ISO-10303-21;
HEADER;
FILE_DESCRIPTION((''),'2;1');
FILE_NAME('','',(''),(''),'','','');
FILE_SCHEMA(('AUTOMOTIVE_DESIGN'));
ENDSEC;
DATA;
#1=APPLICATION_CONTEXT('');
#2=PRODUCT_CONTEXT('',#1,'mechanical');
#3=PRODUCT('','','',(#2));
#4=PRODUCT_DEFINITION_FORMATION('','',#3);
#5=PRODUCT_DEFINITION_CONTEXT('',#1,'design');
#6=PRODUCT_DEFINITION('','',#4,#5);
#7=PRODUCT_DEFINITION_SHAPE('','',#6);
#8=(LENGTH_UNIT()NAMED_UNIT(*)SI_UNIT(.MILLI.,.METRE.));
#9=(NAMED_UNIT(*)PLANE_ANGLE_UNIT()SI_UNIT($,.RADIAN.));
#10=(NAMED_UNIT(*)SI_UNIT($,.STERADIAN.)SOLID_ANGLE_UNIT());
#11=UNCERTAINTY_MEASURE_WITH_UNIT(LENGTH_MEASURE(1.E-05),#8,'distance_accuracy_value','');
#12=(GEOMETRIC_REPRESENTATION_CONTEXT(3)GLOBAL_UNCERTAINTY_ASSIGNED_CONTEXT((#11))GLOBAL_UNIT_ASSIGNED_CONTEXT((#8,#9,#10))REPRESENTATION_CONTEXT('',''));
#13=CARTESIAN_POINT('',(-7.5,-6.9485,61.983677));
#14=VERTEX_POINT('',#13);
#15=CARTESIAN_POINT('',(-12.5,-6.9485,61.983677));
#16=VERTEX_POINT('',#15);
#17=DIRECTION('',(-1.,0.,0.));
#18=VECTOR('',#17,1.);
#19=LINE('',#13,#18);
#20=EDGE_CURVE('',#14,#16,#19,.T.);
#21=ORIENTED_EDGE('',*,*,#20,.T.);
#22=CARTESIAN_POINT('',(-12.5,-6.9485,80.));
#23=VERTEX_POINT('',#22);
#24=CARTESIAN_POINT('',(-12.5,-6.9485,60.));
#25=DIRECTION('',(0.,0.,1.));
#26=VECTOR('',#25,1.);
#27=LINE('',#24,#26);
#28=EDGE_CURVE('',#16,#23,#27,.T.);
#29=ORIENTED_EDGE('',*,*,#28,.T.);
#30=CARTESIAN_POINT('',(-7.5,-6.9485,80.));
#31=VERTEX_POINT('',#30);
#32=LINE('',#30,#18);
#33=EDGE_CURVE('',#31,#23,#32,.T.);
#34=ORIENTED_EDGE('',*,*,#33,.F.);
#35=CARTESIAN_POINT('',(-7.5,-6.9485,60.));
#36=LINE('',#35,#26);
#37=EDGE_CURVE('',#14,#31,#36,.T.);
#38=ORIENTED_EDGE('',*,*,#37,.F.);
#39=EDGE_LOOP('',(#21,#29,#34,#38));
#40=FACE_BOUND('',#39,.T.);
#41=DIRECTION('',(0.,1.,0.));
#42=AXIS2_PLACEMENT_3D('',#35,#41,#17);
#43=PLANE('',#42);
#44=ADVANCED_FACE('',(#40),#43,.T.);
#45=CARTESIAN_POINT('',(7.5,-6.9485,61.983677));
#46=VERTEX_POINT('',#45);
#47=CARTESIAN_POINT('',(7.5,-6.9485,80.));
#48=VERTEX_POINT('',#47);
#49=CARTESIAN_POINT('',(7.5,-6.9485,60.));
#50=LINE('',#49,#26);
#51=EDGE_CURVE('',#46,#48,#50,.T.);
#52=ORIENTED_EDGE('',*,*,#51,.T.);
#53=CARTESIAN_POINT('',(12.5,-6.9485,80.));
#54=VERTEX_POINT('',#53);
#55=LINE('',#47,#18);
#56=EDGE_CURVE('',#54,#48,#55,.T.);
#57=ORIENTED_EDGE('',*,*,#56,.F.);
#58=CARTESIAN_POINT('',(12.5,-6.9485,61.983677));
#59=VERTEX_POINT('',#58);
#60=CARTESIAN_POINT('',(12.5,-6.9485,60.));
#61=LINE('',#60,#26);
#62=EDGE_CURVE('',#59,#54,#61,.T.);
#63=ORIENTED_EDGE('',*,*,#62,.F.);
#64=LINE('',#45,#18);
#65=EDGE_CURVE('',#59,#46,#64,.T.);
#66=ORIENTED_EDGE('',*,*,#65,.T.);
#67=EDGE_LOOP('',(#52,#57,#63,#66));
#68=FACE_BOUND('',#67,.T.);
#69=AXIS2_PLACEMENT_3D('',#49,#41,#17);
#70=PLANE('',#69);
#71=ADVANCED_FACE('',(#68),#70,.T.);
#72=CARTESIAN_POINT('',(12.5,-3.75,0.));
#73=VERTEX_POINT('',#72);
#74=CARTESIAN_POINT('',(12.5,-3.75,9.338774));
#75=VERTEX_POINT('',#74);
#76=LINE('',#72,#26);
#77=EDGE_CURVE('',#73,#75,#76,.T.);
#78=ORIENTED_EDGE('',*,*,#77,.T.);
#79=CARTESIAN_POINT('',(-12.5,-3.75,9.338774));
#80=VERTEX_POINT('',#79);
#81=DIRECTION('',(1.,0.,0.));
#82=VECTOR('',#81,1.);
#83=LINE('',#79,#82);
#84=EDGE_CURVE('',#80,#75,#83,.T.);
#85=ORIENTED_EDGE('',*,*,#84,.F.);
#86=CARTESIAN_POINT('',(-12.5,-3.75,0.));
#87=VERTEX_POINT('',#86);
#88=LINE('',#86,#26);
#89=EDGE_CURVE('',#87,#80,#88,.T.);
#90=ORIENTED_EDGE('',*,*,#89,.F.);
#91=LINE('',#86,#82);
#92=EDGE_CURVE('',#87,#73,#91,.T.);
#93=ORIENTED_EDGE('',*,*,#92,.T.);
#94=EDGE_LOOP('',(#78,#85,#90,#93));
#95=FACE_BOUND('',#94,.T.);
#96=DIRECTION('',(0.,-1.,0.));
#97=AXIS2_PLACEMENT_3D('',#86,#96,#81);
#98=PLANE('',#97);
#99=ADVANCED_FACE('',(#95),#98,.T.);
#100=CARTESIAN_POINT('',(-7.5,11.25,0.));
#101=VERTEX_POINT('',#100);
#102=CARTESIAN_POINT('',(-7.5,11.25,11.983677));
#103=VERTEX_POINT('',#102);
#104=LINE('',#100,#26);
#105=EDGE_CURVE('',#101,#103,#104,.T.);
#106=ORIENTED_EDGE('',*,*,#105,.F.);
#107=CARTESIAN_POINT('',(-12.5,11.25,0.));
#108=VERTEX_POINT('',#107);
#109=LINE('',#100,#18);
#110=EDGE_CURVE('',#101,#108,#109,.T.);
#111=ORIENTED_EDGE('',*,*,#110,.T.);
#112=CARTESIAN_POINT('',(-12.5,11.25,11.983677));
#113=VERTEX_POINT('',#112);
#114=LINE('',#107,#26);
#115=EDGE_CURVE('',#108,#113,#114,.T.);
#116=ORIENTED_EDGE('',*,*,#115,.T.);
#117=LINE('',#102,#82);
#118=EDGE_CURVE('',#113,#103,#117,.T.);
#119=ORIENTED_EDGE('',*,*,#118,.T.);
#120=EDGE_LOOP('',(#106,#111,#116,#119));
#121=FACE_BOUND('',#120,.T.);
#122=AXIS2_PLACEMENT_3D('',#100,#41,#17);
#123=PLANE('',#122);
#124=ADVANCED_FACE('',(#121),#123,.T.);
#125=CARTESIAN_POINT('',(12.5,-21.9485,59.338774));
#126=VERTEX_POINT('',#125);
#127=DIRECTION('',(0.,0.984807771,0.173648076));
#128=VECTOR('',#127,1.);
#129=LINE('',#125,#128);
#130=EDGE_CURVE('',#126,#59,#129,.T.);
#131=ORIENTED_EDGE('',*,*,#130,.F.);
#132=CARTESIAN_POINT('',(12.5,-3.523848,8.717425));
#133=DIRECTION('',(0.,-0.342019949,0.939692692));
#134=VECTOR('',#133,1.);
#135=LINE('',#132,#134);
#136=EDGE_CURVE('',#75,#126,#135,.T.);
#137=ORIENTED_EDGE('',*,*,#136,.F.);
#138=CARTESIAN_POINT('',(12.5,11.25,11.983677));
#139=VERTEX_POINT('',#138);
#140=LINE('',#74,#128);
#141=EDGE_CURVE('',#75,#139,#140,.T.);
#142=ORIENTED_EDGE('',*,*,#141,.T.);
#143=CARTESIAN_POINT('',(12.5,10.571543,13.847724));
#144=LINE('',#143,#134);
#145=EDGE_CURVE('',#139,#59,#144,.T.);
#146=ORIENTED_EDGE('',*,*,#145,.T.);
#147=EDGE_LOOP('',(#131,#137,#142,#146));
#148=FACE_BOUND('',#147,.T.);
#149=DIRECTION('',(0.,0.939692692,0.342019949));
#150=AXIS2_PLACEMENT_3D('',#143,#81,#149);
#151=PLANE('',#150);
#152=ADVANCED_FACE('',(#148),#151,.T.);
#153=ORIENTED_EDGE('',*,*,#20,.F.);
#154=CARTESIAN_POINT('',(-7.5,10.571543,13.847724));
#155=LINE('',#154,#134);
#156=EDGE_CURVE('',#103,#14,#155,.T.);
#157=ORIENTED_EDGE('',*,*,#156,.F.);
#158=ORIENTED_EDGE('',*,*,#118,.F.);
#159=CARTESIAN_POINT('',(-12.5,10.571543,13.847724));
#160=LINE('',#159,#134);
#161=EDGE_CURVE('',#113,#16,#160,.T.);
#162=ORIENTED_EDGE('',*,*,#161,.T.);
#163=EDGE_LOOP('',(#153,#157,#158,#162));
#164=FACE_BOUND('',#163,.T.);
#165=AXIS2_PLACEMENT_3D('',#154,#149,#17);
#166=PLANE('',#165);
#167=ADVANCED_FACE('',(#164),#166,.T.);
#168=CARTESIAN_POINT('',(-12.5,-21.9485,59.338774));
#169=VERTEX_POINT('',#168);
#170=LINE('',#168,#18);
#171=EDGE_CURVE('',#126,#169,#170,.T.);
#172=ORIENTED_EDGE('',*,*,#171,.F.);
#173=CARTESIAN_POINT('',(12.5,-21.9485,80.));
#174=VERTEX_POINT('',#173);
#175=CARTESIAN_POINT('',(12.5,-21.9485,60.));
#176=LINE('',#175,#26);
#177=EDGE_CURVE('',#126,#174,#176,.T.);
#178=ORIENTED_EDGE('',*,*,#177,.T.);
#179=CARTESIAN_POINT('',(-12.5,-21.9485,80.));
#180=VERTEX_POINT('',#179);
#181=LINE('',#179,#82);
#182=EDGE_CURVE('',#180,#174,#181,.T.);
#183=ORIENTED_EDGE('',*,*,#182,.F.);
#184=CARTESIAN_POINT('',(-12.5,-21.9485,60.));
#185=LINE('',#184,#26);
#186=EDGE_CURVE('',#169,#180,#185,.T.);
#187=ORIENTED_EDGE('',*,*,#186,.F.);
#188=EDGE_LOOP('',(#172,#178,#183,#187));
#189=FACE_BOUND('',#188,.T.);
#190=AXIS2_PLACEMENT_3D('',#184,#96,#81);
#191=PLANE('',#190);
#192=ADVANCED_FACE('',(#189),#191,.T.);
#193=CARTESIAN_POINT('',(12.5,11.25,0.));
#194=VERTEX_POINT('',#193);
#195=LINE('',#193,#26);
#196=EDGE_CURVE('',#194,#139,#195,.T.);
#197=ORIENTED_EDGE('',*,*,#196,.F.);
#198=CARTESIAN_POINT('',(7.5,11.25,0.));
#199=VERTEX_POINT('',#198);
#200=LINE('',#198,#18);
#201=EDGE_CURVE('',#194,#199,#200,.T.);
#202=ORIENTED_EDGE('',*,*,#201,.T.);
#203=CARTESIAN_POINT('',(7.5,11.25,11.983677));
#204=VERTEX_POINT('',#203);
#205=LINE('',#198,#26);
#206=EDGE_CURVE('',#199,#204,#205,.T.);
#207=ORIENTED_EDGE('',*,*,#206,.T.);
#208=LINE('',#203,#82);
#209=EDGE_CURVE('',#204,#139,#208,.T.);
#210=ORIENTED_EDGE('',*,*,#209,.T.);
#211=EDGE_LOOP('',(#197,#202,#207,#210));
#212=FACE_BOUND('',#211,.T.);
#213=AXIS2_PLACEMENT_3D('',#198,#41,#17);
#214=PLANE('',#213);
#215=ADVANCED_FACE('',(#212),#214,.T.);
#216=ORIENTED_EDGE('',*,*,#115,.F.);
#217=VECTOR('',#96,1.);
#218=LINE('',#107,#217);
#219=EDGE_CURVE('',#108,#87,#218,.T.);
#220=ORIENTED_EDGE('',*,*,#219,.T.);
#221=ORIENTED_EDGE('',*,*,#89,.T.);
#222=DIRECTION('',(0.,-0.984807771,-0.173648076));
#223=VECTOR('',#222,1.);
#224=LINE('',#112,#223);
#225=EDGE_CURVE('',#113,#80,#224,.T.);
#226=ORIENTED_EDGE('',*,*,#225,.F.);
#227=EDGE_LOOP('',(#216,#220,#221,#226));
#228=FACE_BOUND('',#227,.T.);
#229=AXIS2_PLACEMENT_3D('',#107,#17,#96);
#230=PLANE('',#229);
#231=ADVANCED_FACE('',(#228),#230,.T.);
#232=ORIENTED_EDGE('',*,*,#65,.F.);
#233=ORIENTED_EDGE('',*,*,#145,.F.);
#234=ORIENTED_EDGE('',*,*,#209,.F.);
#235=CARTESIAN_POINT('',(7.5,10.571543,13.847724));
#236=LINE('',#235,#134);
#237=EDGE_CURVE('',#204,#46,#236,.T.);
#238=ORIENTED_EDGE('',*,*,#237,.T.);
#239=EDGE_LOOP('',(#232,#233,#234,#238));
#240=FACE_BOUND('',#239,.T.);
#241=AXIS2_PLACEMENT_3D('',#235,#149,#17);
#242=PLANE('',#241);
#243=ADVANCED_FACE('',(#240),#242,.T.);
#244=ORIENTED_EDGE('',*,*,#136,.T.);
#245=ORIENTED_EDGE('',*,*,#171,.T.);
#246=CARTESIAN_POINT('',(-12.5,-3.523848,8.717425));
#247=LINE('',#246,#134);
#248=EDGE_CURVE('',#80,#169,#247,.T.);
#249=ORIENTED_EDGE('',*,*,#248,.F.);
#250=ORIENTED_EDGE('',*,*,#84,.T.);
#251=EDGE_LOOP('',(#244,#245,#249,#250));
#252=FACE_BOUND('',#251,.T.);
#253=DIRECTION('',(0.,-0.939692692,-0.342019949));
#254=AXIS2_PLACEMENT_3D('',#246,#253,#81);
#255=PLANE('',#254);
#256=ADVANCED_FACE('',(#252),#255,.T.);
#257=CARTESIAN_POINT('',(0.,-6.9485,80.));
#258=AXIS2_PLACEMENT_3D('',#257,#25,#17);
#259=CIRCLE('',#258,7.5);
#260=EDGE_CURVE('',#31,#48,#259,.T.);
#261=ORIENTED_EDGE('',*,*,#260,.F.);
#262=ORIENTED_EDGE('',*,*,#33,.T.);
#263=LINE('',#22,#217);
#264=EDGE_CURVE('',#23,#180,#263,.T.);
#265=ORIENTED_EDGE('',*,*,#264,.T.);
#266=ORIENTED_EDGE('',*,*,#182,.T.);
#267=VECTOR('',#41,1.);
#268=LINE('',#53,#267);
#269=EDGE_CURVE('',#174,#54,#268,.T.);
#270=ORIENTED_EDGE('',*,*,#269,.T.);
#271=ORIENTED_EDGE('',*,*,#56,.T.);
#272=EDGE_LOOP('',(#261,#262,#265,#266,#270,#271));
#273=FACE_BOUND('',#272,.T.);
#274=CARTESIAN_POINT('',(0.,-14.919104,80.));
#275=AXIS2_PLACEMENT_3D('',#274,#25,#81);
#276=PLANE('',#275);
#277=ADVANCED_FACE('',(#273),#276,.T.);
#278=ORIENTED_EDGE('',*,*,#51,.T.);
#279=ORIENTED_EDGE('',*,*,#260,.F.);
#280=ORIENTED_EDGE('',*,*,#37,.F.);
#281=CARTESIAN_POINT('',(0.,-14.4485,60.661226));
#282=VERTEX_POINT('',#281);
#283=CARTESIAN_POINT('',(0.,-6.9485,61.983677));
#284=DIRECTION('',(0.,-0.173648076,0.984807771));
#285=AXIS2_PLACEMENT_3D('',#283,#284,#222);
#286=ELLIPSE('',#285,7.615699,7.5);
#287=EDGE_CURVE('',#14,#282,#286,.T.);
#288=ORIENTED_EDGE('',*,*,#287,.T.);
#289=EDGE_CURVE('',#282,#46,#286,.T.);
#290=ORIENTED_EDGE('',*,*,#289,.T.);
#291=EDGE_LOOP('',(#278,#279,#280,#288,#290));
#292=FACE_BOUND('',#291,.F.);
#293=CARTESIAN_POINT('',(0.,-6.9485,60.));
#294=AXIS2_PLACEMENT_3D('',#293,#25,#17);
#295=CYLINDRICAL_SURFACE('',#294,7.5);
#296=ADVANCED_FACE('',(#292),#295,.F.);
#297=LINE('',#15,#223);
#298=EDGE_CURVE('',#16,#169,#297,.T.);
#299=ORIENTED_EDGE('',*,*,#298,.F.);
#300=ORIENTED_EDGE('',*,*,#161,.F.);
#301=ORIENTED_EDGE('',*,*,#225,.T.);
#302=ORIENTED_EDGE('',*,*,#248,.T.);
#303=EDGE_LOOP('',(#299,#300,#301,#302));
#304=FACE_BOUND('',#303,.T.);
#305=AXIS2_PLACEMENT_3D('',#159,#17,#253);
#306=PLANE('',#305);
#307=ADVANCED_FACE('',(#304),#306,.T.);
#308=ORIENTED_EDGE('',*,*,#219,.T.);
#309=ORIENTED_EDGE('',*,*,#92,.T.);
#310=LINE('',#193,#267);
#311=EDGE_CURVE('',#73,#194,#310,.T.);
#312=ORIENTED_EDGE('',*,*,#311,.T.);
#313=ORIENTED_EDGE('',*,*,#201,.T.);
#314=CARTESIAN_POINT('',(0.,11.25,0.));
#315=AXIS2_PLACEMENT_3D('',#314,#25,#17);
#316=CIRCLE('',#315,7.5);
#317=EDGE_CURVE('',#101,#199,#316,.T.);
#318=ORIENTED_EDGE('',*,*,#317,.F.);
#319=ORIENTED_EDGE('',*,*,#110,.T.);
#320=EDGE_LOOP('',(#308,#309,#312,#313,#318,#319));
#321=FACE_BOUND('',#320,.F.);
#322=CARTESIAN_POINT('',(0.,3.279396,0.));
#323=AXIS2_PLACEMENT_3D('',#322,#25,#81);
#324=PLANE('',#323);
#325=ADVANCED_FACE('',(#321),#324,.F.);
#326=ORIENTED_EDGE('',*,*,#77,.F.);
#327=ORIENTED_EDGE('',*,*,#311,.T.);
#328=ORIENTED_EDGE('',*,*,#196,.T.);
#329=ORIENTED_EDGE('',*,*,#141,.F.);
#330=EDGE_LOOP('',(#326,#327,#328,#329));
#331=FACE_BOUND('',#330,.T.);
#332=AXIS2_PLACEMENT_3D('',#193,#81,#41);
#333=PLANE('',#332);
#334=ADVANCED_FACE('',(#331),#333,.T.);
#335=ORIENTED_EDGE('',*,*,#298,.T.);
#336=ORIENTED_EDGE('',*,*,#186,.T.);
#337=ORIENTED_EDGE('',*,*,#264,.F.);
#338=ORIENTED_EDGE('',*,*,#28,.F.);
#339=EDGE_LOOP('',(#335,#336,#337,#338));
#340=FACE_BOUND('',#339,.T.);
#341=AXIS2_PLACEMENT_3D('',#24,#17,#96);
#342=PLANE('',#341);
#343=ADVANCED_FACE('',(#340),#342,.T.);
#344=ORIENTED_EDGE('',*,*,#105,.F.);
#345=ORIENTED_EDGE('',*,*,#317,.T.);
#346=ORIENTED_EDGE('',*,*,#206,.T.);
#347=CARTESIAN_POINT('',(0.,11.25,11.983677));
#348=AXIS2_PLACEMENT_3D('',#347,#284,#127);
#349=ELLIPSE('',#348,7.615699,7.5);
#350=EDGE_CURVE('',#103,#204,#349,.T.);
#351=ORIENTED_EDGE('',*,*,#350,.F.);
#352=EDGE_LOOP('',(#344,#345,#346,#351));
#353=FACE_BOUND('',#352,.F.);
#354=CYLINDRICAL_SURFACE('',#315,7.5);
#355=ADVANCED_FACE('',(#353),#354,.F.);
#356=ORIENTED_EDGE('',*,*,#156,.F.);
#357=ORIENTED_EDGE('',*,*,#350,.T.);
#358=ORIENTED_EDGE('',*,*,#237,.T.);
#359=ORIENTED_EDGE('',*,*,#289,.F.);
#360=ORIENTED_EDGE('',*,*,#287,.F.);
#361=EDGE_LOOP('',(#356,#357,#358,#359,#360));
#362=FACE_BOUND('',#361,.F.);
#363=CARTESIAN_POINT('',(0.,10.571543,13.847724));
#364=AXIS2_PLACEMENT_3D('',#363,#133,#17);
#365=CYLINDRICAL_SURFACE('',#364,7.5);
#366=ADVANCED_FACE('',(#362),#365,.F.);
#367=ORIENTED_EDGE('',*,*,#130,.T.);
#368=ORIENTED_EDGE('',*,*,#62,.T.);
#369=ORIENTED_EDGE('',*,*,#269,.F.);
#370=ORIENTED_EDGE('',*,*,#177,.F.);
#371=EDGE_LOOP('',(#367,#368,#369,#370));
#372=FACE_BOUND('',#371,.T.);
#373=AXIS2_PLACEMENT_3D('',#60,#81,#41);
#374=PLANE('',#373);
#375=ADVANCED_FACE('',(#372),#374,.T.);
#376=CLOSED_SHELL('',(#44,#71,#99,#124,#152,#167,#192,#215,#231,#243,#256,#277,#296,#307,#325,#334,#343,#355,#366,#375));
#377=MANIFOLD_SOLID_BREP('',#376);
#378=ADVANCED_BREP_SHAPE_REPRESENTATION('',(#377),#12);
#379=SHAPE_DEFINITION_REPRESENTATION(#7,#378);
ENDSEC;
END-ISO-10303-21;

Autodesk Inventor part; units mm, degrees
ref_plane "YZ Plane" through (0, 0, 0) normal (1, 0, 0) x (0, 1, 0)
ref_plane "XZ Plane" through (0, 0, 0) normal (0, 1, 0) x (-1, 0, 0)
ref_plane "XY Plane" through (0, 0, 0) normal (0, 0, 1) x (1, 0, 0)
sketch "Sketch1" plane through (0, 0, 0) normal (1, 0, 0) x (0, 1, 0)
  line L0 (0, 0) -> (0, 10)
  line L1 (0, 10) -> (-18.1985, 60)
  line L2 (-18.1985, 60) -> (-18.1985, 80)
  point P0 (0, 0)
  dimension "d6" = 0
  dimension "d7" = 0
  dimension "d8" = 10
  dimension "d15" = 20
  dimension "d16" = 50
  dimension "d17" = 20
sketch "Sketch2" plane through (0, 0, 0) normal (0, 0, 1) x (1, 0, 0)
  arc A0 (-7.5, 11.25) -> (7.5, 11.25) centre (0, 11.25) ccw
  line L0 (-7.5, 11.25) -> (-12.5, 11.25)
  line L1 (-12.5, 11.25) -> (-12.5, -3.75)
  line L2 (-12.5, -3.75) -> (12.5, -3.75)
  line L3 (7.5, 11.25) -> (12.5, 11.25)
  line L4 (12.5, 11.25) -> (12.5, -3.75)
  point P0 (0, 0)
  dimension "d0" = 7.5
  dimension "d20" = 15
  dimension "d21" = 5
  dimension "d22" = 5
  dimension "d23" = 25
  dimension "d30" = 3.75
  dimension "d31" = 11.25
sweep "Sweep3" add profiles "Sketch2" path "Sketch1"
properties part number "ramp(1)"
